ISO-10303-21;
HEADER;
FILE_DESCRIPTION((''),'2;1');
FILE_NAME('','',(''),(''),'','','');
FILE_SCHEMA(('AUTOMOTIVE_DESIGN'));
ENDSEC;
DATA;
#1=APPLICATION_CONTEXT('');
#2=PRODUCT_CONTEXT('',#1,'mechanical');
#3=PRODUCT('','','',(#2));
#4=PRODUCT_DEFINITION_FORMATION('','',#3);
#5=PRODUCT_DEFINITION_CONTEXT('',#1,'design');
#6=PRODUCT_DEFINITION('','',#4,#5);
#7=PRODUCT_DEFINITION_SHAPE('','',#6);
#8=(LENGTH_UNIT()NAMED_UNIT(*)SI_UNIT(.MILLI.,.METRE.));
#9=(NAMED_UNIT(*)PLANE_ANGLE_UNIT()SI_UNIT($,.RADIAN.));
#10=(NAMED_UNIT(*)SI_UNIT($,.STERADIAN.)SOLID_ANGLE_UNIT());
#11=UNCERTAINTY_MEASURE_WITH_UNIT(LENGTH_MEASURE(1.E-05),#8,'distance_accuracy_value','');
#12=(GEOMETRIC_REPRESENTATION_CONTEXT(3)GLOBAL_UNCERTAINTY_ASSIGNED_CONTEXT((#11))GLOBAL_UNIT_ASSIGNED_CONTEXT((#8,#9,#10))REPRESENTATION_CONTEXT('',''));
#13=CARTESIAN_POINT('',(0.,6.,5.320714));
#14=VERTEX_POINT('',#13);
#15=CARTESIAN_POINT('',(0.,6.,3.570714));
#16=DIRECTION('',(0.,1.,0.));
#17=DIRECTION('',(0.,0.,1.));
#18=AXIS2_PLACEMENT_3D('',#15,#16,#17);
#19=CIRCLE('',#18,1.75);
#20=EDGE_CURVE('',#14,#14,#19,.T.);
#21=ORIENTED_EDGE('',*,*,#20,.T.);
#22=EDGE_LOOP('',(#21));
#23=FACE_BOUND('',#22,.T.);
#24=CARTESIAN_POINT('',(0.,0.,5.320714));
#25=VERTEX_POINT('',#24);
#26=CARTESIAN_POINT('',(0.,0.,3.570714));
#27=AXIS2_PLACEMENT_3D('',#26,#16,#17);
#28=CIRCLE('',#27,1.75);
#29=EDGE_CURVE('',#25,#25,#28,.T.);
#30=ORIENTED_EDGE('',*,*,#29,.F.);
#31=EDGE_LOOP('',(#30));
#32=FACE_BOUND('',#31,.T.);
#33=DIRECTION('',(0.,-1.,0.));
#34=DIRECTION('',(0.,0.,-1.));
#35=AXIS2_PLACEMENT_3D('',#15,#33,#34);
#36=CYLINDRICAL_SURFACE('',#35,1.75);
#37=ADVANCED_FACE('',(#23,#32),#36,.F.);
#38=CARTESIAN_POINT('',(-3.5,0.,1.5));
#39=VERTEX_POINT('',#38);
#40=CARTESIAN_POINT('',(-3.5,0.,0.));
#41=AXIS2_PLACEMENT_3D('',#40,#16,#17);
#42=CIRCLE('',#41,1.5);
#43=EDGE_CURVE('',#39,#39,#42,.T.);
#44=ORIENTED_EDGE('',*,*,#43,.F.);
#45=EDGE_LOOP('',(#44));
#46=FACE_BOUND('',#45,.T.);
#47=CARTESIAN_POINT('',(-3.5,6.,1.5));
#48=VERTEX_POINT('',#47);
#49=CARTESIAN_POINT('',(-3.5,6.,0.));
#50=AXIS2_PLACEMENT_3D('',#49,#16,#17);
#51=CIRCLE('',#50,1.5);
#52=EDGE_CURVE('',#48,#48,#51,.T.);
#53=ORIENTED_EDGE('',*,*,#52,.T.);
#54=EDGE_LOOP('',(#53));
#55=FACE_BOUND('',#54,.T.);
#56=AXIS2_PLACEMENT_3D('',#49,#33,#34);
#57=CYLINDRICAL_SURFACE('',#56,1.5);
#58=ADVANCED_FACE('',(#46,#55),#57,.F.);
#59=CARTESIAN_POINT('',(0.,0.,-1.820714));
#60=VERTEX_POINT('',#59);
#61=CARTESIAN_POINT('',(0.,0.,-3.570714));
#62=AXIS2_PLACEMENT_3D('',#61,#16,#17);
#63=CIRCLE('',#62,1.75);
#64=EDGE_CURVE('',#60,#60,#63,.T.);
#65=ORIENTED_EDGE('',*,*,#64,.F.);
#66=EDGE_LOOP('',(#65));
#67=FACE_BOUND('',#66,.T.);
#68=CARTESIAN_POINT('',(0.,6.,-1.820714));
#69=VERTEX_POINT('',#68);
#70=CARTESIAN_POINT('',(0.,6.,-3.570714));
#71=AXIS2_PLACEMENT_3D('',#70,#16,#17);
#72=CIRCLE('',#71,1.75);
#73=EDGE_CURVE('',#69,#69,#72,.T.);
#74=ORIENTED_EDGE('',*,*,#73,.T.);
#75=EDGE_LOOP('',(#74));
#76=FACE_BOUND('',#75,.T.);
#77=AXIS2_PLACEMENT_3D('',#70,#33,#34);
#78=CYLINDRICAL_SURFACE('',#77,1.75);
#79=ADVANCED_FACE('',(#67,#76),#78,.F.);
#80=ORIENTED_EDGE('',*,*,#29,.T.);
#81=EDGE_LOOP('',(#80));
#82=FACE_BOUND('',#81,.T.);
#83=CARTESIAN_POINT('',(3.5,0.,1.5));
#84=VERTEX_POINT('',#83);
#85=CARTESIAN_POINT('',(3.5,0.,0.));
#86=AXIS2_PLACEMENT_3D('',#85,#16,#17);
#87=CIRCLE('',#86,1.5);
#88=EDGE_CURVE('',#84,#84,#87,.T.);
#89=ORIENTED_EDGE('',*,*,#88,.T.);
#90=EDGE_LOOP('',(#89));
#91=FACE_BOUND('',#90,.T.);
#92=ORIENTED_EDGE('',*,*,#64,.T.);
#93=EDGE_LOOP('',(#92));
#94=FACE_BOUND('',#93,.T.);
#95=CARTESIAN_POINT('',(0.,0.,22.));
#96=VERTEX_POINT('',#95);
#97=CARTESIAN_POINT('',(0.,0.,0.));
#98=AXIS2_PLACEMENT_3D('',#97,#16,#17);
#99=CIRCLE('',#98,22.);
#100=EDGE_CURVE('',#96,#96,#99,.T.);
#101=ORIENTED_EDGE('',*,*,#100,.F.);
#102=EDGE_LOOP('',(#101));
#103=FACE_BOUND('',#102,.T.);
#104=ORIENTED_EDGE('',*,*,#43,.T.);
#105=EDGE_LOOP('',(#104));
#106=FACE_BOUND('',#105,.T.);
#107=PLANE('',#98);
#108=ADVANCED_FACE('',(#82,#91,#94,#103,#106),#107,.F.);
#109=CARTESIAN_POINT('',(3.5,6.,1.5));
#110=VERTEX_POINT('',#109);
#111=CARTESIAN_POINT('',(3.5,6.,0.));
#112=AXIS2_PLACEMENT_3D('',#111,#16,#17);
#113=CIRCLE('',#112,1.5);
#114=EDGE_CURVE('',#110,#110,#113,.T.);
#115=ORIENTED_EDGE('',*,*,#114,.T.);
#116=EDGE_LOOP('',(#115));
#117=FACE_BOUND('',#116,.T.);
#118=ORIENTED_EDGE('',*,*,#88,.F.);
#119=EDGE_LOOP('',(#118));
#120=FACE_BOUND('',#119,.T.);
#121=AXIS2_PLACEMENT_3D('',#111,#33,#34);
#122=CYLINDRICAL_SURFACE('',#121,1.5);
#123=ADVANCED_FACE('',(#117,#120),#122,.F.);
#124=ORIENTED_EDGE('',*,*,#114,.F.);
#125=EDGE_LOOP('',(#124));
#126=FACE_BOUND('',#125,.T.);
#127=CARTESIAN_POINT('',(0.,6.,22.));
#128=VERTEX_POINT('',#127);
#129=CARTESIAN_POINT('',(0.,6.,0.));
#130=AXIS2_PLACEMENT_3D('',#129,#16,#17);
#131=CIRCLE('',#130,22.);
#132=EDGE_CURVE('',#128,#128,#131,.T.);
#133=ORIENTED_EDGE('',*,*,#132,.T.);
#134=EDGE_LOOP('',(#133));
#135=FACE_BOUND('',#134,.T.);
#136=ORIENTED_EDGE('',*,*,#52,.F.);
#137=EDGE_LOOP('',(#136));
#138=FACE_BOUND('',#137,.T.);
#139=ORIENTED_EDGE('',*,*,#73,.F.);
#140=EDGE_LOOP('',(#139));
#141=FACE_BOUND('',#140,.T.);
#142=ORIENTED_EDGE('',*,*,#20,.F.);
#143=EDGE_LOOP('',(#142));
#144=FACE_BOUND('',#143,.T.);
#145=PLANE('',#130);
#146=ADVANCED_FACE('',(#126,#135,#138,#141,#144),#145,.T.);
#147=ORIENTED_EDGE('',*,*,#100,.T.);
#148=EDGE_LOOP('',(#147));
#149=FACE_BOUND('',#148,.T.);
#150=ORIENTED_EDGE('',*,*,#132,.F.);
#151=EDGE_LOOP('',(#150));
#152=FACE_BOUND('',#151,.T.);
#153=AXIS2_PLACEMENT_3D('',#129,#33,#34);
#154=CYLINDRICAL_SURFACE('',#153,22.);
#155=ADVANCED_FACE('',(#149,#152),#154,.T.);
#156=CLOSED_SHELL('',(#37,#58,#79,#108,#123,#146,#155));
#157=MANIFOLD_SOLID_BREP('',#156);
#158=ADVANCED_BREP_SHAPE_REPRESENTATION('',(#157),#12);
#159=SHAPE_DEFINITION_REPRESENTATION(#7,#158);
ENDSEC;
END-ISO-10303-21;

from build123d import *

# Parameters (mm, degrees)
ESQUISSE1_R        = 22
ESQUISSE1_R_2      = 1.5
ESQUISSE1_R_3      = 1.75
BOSS_EXTRU_1_DEPTH = 6


with BuildPart() as part:
    # Esquisse1 → Boss.-Extru.1 (new body)
    with BuildSketch(Plane(origin=(0, 0, 0), x_dir=(1, 0, 0), z_dir=(0, 1, 0))):
        Circle(ESQUISSE1_R)
        with Locations((-3.5, 0)):
            Circle(ESQUISSE1_R_2, mode=Mode.SUBTRACT)
        with Locations((3.5, 0)):
            Circle(ESQUISSE1_R_2, mode=Mode.SUBTRACT)
        with Locations((0, 3.570714214)):
            Circle(ESQUISSE1_R_3, mode=Mode.SUBTRACT)
        with Locations((0, -3.570714214)):
            Circle(ESQUISSE1_R_3, mode=Mode.SUBTRACT)
    extrude(amount=BOSS_EXTRU_1_DEPTH)


solid = part.part
